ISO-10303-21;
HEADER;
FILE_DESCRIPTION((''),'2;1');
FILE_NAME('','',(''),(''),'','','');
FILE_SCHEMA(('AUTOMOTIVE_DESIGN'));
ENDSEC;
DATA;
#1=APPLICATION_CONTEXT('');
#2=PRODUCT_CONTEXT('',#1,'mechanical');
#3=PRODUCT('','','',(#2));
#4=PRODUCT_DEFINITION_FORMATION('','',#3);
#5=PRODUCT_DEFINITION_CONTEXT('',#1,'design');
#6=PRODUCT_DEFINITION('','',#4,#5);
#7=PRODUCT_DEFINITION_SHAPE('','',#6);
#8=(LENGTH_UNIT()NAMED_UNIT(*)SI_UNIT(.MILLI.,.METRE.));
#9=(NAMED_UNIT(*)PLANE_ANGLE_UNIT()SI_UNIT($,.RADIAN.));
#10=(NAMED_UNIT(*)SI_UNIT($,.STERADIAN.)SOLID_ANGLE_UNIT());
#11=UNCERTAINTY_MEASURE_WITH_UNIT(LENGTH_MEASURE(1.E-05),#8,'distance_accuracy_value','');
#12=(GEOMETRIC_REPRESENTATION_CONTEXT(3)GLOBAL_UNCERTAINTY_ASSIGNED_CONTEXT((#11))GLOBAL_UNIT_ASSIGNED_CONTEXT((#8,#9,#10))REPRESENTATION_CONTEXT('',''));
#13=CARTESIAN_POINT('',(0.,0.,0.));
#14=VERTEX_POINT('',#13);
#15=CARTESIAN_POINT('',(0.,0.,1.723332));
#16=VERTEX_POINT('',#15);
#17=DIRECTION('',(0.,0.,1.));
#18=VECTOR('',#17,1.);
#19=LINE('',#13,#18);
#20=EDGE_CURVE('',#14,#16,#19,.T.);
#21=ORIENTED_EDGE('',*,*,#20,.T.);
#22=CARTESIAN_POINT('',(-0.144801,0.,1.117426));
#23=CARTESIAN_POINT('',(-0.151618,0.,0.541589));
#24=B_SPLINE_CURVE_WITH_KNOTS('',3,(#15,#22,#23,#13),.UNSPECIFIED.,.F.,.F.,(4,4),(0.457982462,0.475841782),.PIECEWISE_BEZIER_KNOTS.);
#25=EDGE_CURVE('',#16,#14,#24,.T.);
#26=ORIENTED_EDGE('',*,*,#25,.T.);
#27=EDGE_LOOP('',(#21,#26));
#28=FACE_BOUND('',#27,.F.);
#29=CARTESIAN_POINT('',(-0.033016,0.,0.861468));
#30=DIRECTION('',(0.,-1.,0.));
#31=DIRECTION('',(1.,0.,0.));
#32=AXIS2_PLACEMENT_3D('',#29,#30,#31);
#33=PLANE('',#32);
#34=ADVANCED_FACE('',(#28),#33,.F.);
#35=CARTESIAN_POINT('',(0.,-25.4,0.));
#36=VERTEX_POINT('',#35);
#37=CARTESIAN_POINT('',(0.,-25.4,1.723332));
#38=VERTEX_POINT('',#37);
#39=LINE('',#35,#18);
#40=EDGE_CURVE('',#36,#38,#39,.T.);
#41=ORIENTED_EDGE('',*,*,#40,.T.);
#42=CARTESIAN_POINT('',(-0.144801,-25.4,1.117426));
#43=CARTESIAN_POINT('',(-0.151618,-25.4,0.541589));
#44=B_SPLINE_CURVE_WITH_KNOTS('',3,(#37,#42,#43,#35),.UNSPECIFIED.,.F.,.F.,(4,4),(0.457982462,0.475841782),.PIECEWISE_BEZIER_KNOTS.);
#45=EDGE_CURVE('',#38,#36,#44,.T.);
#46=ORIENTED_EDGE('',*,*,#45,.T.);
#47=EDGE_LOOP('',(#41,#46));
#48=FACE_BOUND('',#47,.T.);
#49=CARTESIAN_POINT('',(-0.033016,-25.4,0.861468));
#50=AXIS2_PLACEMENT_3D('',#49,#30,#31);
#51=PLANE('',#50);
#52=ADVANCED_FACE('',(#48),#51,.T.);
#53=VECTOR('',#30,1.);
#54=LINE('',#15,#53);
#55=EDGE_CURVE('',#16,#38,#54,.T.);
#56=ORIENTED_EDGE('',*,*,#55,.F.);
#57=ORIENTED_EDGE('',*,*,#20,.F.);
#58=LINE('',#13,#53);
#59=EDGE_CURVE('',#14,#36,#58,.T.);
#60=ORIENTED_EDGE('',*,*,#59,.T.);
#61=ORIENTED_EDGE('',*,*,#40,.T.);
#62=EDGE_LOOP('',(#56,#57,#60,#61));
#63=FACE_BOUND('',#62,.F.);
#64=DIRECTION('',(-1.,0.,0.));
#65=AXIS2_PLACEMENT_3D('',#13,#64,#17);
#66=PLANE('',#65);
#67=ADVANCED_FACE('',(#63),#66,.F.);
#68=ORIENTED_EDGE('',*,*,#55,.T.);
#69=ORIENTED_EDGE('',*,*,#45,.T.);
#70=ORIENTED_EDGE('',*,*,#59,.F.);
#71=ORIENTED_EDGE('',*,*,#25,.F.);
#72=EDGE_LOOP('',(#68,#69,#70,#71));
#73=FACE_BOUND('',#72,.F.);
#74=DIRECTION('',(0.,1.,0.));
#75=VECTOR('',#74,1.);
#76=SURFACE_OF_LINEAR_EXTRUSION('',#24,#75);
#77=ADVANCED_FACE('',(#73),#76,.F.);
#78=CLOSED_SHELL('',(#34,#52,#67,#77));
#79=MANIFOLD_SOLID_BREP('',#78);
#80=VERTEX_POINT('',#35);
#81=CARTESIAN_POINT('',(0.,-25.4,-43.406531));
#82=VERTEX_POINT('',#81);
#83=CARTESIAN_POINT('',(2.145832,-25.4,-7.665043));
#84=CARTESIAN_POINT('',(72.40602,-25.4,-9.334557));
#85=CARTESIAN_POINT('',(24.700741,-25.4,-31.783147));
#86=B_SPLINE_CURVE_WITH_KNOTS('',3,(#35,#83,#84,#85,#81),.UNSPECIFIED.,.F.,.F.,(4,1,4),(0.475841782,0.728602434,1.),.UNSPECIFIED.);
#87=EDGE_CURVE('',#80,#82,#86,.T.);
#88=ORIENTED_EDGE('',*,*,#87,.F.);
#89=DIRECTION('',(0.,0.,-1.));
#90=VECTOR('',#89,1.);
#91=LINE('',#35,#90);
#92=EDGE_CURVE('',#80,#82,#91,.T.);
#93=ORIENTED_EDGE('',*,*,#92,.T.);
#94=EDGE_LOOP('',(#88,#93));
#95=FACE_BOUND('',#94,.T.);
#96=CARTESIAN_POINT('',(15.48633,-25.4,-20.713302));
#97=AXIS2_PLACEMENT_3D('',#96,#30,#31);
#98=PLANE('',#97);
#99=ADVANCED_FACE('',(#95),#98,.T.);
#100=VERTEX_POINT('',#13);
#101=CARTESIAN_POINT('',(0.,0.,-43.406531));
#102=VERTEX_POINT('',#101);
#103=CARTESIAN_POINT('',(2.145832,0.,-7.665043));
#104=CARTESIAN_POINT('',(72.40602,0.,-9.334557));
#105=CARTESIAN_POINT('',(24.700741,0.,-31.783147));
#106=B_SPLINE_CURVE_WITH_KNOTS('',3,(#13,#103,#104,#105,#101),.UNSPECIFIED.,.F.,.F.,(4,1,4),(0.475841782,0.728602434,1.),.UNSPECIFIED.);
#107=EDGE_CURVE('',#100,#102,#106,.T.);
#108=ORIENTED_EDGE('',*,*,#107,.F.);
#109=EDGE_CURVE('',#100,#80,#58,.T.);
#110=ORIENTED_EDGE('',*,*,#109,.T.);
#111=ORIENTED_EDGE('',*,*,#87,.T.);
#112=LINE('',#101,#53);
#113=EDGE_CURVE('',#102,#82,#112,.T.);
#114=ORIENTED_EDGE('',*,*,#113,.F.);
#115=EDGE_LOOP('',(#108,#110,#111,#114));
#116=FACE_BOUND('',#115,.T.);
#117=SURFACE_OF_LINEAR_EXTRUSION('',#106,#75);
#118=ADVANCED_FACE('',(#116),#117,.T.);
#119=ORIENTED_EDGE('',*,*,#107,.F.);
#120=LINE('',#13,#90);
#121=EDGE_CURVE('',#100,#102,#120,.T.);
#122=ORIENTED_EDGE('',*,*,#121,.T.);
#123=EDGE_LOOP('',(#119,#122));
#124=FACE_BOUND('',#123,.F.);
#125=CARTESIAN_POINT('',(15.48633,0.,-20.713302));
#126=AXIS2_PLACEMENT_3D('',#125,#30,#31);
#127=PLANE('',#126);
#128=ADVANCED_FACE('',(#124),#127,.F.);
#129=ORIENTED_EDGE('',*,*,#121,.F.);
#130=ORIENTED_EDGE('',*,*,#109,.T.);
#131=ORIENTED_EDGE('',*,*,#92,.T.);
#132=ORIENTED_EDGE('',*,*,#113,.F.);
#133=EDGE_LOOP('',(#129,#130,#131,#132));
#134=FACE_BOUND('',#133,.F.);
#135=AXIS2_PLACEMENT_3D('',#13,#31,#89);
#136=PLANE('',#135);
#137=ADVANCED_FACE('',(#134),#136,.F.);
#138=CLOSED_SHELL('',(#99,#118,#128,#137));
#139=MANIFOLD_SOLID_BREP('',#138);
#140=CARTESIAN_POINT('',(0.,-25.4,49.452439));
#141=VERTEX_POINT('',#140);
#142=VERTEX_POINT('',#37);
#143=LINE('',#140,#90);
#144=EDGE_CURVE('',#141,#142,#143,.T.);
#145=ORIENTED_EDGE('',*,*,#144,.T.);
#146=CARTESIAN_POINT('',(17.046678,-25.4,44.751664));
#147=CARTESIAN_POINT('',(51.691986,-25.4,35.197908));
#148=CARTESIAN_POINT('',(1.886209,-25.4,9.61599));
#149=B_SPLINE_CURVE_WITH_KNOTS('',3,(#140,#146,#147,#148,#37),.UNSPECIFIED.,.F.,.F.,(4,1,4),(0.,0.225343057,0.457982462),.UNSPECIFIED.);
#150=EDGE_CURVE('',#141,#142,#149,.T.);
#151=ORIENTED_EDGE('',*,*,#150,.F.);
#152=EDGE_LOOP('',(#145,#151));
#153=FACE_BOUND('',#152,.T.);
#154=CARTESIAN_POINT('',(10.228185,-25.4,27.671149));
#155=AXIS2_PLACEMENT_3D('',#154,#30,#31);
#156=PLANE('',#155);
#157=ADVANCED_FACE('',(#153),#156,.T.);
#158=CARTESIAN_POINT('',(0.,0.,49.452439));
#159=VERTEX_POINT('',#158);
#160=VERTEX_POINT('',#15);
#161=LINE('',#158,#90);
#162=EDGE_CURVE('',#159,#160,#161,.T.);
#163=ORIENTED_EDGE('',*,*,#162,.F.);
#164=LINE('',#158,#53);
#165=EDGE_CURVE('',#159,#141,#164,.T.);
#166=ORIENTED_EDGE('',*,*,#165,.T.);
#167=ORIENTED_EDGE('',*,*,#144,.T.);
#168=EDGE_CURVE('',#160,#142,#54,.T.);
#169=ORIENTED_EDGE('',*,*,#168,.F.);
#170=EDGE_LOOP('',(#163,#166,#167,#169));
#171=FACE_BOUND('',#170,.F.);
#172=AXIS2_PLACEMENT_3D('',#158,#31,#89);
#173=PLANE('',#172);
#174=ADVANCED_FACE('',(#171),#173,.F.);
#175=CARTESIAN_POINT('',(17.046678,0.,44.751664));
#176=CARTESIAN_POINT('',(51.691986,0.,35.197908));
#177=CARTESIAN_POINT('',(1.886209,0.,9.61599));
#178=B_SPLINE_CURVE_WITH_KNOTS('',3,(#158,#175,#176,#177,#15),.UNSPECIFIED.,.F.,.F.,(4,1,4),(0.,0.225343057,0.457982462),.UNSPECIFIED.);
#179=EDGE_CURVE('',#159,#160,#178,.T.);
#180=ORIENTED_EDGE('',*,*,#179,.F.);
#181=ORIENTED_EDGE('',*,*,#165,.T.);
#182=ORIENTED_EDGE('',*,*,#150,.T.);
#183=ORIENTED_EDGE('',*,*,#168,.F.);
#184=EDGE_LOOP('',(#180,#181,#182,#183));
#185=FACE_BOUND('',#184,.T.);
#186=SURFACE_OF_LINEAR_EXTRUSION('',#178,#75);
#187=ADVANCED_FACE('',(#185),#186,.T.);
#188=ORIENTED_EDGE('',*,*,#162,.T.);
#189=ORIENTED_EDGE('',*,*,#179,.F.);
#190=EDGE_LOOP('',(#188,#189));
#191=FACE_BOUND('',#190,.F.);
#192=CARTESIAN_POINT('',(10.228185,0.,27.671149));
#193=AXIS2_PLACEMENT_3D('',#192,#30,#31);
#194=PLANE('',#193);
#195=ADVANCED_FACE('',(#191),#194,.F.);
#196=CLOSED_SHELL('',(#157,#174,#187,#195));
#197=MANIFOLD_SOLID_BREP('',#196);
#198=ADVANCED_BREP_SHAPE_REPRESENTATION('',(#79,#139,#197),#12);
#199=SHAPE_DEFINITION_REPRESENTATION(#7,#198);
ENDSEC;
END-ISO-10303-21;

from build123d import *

# Parameters (mm, degrees)
F1_DEPTH = 25.4


with BuildPart() as f1:
    # F0 (on Front) → F1 (new body)
    with BuildSketch(Plane.XZ):
        with BuildLine():
            Line((0, 49.4524389505), (0, 1.7233319871))
            add(Edge.make_bspline(
                [(0, 49.4524389505), (17.0466781491, 44.7516639334), (51.6919861441, 35.197908248), (1.8862090503, 9.6159898871), (0, 1.7233319871)],
                knots=[0, 0, 0, 0, 0.2253430572, 0.4579824617, 0.4579824617, 0.4579824617, 0.4579824617], degree=3))
        make_face()
    extrude(amount=F1_DEPTH)


with BuildPart() as f1b:
    # F0 (on Front) → F1, piece 2 (new body)
    with BuildSketch(Plane.XZ):
        with BuildLine():
            add(Edge.make_bspline(
                [(0, 1.7233319871), (-0.1448009714, 1.1174264375), (-0.1516181257, 0.5415893077), (0, 0)],
                knots=[0.4579824617, 0.4579824617, 0.4579824617, 0.4579824617, 0.4758417821, 0.4758417821, 0.4758417821, 0.4758417821], degree=3))
            Line((0, 0), (0, 1.7233319871))
        make_face()
    extrude(amount=F1_DEPTH)


with BuildPart() as f1c:
    # F0 (on Front) → F1, piece 3 (new body)
    with BuildSketch(Plane.XZ):
        with BuildLine():
            Line((0, 0), (0, -43.4065312147))
            add(Edge.make_bspline(
                [(0, 0), (2.1458317245, -7.6650434303), (72.4060198603, -9.3345570659), (24.7007412353, -31.7831466059), (0, -43.4065312147)],
                knots=[0.4758417821, 0.4758417821, 0.4758417821, 0.4758417821, 0.7286024339, 1, 1, 1, 1], degree=3))
        make_face()
    extrude(amount=F1_DEPTH)


solid = Compound([f1.part, f1b.part, f1c.part])
